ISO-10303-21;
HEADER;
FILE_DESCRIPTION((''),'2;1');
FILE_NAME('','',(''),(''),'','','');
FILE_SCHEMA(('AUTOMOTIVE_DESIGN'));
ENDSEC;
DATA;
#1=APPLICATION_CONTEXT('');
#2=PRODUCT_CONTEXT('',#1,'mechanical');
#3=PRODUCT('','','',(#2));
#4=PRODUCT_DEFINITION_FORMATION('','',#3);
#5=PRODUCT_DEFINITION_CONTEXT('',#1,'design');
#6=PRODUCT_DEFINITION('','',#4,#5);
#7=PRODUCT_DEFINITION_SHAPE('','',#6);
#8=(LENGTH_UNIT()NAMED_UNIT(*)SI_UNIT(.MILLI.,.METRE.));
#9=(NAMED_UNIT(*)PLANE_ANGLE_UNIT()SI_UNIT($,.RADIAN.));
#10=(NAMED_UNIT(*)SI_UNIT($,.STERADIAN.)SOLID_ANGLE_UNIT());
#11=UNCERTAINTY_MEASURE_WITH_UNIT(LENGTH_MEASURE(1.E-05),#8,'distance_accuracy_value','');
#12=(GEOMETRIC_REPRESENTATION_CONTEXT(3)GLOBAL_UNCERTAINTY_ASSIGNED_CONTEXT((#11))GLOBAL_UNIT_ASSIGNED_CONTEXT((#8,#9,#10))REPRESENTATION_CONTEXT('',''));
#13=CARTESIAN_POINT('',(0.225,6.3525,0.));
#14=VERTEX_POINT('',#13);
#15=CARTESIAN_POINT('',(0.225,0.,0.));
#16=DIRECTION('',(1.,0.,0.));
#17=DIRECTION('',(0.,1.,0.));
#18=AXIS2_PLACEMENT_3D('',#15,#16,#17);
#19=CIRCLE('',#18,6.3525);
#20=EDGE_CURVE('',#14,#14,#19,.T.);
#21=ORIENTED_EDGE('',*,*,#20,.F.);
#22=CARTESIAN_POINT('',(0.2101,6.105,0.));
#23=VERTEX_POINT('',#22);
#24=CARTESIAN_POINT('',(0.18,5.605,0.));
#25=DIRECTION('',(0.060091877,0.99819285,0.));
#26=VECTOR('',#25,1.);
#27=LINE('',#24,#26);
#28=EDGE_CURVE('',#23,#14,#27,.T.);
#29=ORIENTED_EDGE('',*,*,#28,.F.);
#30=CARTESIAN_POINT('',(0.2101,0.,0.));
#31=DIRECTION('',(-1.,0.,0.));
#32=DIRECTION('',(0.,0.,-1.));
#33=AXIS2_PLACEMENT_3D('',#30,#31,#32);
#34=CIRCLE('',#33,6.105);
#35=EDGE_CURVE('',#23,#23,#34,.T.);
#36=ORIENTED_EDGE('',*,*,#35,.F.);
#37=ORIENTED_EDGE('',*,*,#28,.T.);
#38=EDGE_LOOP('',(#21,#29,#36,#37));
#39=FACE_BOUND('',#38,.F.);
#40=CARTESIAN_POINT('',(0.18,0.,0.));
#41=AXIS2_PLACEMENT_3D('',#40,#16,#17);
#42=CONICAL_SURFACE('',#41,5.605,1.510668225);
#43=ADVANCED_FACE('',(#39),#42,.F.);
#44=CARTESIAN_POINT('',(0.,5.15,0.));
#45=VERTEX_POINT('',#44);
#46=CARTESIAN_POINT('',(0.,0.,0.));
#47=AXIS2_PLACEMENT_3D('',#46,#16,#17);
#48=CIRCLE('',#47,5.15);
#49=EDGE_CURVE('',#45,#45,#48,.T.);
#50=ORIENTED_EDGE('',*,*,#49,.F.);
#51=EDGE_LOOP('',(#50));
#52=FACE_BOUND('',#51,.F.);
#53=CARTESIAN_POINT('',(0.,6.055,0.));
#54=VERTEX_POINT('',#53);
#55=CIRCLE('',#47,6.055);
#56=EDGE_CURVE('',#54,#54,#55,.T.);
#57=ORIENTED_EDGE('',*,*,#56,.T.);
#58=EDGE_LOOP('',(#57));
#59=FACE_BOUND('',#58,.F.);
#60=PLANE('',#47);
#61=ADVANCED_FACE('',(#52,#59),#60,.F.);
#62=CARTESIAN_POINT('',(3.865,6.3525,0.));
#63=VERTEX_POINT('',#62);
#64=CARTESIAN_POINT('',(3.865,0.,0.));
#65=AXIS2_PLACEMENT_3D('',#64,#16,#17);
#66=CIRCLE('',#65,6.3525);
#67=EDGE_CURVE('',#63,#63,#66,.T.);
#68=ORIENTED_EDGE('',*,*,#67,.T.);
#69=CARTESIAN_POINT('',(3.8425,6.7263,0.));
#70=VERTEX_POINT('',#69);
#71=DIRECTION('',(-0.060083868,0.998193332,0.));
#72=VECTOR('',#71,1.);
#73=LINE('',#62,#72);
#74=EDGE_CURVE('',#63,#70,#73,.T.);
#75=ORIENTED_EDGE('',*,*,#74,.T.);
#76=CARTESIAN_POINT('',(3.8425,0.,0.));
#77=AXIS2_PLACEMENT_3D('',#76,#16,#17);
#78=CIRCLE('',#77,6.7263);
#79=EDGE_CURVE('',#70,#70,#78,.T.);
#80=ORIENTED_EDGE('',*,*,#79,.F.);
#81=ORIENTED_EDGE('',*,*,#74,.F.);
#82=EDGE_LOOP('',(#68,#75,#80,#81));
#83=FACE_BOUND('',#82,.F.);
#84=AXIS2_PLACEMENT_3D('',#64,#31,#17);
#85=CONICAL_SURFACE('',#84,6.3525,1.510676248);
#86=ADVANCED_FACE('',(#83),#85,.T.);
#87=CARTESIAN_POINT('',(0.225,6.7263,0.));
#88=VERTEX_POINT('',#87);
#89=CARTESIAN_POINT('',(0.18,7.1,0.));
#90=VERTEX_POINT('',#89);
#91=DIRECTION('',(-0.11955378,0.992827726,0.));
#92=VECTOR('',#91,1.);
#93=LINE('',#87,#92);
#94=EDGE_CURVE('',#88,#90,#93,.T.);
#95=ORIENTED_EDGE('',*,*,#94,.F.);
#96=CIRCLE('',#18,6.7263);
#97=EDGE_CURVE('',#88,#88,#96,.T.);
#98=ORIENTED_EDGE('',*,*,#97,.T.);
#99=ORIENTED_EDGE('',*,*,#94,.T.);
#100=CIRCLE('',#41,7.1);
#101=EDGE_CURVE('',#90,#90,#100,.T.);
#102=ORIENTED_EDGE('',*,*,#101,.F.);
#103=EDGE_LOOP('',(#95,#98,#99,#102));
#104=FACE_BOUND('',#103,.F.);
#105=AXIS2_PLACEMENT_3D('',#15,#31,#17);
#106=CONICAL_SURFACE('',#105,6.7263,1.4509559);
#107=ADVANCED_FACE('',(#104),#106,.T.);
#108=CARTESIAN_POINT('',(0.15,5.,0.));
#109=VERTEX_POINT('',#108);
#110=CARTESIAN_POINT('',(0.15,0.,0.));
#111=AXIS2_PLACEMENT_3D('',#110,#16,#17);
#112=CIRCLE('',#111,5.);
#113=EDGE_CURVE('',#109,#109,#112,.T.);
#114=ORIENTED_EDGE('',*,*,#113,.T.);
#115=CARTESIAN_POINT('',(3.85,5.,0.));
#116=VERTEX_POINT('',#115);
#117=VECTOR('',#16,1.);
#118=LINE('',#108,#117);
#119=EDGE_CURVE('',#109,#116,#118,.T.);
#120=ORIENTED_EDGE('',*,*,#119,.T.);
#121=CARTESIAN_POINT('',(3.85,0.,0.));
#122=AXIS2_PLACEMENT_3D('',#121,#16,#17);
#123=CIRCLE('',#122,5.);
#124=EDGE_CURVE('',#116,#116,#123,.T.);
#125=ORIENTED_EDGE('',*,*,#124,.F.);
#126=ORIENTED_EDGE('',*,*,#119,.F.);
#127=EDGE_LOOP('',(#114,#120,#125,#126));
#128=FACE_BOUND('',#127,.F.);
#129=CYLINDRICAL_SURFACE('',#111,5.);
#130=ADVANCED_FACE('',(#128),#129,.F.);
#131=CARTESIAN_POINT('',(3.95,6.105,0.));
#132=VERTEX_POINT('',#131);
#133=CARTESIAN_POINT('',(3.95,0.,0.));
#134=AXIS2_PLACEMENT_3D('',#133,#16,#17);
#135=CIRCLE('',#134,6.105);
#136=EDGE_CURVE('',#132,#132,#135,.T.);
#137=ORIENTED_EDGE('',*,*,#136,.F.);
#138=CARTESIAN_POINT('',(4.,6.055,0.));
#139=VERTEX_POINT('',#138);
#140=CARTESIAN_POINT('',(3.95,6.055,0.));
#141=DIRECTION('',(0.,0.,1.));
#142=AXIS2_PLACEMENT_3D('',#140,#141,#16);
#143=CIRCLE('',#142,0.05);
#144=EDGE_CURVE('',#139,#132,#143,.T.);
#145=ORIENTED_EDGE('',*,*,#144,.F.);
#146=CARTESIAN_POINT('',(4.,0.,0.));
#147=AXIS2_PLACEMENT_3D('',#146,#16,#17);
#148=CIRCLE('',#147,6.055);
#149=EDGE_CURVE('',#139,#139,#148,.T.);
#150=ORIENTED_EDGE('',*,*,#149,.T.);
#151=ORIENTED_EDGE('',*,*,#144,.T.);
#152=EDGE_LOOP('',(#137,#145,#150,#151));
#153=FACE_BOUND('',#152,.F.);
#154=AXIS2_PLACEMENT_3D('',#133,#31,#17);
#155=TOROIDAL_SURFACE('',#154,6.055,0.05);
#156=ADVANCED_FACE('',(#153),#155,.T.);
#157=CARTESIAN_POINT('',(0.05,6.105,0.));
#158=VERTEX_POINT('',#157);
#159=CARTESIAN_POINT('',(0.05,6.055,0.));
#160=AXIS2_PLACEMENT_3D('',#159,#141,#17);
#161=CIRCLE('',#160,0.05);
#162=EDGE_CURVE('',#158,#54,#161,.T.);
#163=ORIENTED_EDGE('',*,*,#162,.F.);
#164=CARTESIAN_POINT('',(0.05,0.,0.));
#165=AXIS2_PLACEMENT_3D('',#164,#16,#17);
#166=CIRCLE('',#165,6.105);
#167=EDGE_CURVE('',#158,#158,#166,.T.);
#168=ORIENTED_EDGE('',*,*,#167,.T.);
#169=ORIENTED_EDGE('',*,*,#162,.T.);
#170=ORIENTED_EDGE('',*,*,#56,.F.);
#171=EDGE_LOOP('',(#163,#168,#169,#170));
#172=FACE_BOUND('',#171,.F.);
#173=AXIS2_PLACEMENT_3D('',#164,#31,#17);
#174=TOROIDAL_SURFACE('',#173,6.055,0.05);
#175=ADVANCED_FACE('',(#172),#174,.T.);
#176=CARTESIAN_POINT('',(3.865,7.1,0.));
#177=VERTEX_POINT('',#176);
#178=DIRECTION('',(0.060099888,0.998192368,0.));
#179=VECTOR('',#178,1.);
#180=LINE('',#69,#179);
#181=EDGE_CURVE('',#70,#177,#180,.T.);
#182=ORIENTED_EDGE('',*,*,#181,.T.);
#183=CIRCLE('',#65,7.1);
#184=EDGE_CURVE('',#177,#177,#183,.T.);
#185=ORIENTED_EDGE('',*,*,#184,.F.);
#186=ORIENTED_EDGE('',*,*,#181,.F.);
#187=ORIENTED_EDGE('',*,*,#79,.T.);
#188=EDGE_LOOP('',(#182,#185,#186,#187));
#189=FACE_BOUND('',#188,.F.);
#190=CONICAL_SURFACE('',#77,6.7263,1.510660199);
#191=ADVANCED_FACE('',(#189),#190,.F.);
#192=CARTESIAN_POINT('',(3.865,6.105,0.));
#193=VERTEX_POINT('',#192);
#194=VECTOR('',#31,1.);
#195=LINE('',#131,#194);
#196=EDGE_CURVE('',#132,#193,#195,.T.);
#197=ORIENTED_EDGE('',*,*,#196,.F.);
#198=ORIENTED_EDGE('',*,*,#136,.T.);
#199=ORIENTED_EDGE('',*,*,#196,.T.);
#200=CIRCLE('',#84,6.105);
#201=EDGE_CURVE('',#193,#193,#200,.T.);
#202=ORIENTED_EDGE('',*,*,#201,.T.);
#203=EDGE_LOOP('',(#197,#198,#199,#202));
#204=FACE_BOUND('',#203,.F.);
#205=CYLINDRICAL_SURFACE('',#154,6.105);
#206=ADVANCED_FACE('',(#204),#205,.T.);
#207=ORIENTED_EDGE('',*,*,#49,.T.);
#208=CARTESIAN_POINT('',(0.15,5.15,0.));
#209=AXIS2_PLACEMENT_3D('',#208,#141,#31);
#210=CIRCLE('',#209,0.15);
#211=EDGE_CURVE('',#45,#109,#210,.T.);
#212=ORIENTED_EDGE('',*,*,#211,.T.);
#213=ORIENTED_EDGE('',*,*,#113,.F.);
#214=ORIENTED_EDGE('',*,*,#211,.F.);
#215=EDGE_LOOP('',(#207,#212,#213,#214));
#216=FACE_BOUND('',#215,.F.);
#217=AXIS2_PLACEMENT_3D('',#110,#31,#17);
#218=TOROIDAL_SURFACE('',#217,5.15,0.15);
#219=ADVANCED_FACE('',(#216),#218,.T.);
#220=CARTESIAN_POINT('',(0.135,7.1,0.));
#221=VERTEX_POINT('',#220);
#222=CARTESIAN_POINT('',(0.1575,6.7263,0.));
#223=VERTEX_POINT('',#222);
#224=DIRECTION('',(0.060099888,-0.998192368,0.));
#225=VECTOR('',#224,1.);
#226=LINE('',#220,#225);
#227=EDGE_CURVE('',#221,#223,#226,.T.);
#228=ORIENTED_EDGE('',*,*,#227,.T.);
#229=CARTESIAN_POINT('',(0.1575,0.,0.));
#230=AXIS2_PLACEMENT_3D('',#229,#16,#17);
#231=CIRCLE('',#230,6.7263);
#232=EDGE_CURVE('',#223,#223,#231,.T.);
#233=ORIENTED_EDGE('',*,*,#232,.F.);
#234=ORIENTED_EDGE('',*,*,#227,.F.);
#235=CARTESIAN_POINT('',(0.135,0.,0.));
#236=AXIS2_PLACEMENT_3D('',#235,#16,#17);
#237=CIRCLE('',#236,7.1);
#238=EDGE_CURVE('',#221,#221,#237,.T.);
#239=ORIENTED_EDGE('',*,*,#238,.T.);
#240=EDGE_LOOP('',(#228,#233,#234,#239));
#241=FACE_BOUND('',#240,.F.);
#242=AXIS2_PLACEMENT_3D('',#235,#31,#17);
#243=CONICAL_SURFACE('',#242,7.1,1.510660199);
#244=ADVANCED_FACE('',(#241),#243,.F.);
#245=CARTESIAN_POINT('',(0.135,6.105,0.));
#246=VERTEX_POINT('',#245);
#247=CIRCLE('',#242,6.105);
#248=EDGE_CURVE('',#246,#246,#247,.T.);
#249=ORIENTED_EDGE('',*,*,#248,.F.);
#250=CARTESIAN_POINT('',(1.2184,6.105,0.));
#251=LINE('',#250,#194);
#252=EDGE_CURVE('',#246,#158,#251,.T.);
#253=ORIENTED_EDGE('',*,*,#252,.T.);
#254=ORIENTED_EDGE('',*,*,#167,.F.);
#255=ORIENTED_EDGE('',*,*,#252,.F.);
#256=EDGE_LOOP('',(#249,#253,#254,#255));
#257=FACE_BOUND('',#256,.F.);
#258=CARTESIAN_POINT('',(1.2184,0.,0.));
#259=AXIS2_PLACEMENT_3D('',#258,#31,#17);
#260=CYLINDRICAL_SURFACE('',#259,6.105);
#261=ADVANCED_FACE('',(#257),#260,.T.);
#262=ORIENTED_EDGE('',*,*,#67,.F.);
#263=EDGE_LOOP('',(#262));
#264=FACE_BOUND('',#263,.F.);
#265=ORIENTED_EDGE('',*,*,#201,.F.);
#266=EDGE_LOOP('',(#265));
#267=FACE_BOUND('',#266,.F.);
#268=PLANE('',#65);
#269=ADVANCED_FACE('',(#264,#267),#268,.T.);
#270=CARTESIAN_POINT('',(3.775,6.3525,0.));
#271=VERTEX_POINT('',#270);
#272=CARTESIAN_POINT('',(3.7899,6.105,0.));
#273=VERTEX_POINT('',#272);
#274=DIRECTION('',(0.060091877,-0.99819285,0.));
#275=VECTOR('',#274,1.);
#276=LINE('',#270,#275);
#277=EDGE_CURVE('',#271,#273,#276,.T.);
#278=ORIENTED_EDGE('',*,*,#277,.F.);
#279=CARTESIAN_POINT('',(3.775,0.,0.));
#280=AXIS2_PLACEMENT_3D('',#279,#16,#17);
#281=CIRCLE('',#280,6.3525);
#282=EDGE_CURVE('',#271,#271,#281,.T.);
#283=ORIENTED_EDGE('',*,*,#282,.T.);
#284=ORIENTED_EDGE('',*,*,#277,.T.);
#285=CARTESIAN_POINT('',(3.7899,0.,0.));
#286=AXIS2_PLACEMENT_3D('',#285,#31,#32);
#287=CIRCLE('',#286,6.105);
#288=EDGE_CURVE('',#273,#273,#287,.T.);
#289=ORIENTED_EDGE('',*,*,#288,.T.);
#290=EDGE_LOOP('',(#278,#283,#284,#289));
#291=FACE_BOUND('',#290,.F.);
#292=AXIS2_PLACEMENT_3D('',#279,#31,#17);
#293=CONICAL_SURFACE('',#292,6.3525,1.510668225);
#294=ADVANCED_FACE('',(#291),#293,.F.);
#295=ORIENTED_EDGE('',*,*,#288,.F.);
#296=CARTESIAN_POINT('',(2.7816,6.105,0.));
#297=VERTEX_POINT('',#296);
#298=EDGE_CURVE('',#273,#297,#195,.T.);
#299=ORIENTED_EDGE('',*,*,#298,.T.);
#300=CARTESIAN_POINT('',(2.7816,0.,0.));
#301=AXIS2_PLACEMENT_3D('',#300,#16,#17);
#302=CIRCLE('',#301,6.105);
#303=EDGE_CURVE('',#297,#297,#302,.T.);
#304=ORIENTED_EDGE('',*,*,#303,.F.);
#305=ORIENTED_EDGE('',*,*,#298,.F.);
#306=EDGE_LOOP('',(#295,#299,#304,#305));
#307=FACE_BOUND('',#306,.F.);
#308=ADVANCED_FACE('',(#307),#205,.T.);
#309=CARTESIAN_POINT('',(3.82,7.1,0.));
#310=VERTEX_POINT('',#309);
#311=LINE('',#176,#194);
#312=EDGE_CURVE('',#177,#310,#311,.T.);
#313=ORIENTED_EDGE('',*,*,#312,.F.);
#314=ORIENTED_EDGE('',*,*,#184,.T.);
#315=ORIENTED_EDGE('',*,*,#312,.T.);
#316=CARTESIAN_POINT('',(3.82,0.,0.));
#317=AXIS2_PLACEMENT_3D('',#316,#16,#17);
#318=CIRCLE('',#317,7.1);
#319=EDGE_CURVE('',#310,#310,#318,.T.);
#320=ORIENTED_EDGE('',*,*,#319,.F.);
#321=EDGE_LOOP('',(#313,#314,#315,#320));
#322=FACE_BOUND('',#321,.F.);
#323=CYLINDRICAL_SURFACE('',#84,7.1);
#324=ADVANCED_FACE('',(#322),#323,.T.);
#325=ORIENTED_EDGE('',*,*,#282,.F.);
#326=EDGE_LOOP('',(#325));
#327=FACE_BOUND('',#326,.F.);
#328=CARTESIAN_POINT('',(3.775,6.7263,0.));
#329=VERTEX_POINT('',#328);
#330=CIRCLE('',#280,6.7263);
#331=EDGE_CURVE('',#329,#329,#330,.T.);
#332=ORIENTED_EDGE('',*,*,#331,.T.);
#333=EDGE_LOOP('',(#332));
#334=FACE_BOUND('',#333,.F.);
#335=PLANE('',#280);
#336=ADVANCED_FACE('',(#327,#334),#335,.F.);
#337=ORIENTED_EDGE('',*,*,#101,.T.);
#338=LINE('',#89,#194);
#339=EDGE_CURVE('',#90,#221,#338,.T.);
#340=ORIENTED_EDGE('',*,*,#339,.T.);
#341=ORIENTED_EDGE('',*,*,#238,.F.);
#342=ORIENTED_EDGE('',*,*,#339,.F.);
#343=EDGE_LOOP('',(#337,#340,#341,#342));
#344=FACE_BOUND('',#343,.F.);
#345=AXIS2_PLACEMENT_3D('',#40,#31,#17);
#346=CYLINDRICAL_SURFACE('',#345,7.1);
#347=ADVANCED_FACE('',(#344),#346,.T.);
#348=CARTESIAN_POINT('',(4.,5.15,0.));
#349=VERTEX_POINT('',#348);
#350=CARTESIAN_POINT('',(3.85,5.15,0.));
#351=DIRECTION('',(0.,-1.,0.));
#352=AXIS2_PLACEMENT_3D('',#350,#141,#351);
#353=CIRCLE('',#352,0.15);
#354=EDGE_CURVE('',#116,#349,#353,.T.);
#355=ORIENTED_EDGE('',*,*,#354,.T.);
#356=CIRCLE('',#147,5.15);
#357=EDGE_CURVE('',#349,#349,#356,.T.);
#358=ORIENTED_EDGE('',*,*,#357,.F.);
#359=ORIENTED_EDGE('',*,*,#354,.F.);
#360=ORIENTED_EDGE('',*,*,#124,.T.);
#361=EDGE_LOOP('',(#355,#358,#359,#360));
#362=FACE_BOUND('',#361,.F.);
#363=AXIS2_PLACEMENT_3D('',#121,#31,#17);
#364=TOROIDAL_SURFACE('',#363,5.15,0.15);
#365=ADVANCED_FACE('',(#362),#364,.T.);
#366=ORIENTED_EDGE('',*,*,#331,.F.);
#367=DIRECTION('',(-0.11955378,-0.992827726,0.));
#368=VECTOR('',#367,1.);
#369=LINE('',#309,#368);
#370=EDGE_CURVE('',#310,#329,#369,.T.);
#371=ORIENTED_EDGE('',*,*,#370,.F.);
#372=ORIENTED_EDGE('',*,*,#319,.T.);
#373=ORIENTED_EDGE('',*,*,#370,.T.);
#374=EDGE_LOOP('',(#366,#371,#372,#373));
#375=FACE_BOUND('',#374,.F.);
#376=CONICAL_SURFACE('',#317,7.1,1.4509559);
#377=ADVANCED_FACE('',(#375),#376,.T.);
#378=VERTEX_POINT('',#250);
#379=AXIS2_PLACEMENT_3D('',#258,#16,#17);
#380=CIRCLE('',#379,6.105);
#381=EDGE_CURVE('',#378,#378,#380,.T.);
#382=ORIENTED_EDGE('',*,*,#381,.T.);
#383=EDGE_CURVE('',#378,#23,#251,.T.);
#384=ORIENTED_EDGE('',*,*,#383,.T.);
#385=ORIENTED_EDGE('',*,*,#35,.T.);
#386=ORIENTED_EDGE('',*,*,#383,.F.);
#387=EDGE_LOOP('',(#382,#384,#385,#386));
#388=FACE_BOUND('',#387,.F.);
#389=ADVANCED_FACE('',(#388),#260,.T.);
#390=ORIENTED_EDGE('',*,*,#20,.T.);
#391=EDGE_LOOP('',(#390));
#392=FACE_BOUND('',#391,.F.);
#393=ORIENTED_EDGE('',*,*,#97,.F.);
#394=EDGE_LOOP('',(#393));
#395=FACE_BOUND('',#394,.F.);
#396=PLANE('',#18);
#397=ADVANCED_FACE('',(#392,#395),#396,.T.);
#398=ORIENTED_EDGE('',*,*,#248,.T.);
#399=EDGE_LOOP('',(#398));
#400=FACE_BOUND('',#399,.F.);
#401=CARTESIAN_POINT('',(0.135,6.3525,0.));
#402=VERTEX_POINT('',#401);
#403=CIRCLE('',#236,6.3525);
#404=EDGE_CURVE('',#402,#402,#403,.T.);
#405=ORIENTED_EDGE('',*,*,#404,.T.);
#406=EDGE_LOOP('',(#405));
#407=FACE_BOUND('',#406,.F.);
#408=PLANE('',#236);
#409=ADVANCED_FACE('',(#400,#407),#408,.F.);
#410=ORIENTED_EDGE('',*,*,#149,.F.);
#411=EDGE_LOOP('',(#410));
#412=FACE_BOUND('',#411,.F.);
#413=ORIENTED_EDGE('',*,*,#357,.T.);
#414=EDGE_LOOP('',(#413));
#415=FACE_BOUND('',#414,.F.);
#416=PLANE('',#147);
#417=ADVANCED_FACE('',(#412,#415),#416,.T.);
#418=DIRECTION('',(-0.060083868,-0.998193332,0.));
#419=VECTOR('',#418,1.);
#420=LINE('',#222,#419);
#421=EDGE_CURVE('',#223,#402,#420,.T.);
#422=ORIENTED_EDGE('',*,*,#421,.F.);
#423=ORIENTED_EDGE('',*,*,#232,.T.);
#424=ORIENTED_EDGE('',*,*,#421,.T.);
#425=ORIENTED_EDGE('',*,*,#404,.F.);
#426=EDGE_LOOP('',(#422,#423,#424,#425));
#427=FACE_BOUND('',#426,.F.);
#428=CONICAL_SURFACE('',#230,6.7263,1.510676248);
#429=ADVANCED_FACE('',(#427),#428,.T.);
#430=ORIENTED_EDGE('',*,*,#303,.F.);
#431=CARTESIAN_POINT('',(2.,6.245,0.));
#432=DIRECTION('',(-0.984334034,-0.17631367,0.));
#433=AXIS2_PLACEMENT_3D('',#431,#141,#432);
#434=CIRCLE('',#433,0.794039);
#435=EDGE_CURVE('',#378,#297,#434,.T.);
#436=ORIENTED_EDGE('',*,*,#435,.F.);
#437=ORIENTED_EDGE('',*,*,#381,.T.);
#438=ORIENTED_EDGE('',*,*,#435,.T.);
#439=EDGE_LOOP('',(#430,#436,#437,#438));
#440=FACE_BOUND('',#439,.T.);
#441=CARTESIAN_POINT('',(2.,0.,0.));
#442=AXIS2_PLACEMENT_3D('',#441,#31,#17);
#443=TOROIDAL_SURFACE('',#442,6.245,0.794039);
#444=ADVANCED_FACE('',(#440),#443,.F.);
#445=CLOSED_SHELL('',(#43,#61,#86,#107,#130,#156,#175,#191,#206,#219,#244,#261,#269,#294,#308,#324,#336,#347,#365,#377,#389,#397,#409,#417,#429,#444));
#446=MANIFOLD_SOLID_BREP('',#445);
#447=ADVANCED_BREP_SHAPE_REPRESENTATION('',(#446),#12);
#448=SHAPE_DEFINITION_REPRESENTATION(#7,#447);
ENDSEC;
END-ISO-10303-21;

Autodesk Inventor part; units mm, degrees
ref_plane "YZ Plane" through (0, 0, 0) normal (1, 0, 0) x (0, 1, 0)
ref_plane "XZ Plane" through (0, 0, 0) normal (0, 1, 0) x (-1, 0, 0)
ref_plane "XY Plane" through (0, 0, 0) normal (0, 0, 1) x (1, 0, 0)
sketch "Sketch_13" plane through (0, 0, 0) normal (0, 0, 1) x (1, 0, 0)
  line L0 (50, 0) -> (-50, 0)
  line L1 (0, 6.055) -> (0, 5.15)
  arc A0 (0, 5.15) -> (0.15, 5) centre (0.15, 5.15) ccw
  line L2 (0.15, 5) -> (3.85, 5)
  arc A1 (3.85, 5) -> (4, 5.15) centre (3.85, 5.15) ccw
  line L3 (4, 5.15) -> (4, 6.055)
  arc A2 (4, 6.055) -> (3.95, 6.105) centre (3.95, 6.055) ccw
  line L4 (3.95, 6.105) -> (2.7816, 6.105)
  arc A3 (1.2184, 6.105) -> (2.7816, 6.105) centre (2, 6.245) ccw
  line L5 (1.2184, 6.105) -> (0.05, 6.105)
  arc A4 (0.05, 6.105) -> (0, 6.055) centre (0.05, 6.055) ccw
revolve "Revolution1" add sketch "Sketch_13" angle 360 about axis through (50, 0, 0) along (1, 0, 0)
sketch "Sketch_15" plane through (0, 0, 0) normal (0, 0, 1) x (1, 0, 0)
  line L0 (50, 0) -> (-50, 0)
  line L1 (0.135, 7.1) -> (0.1575, 6.7263)
  line L2 (0.1575, 6.7263) -> (0.135, 6.3525)
  line L3 (0.135, 6.3525) -> (0.135, 5.605)
  line L4 (0.135, 5.605) -> (0.18, 5.605)
  line L5 (0.18, 5.605) -> (0.225, 6.3525)
  line L6 (0.225, 6.3525) -> (0.225, 6.7263)
  line L7 (0.225, 6.7263) -> (0.18, 7.1)
  line L8 (0.18, 7.1) -> (0.135, 7.1)
revolve "Revolution2" add sketch "Sketch_15" angle 360 about axis through (50, 0, 0) along (1, 0, 0)
sketch "Sketch_16" plane through (0, 0, 0) normal (0, 0, 1) x (1, 0, 0)
  line L0 (50, 0) -> (-50, 0)
  line L1 (3.775, 6.7263) -> (3.775, 6.3525)
  line L2 (3.775, 6.3525) -> (3.82, 5.605)
  line L3 (3.82, 5.605) -> (3.865, 5.605)
  line L4 (3.865, 5.605) -> (3.865, 6.3525)
  line L5 (3.865, 6.3525) -> (3.8425, 6.7263)
  line L6 (3.8425, 6.7263) -> (3.865, 7.1)
  line L7 (3.865, 7.1) -> (3.82, 7.1)
  line L8 (3.82, 7.1) -> (3.775, 6.7263)
revolve "Revolution3" add sketch "Sketch_16" angle 360 about axis through (50, 0, 0) along (1, 0, 0)
properties part number "SKF_W 61700 X-2RS1_PART1"
